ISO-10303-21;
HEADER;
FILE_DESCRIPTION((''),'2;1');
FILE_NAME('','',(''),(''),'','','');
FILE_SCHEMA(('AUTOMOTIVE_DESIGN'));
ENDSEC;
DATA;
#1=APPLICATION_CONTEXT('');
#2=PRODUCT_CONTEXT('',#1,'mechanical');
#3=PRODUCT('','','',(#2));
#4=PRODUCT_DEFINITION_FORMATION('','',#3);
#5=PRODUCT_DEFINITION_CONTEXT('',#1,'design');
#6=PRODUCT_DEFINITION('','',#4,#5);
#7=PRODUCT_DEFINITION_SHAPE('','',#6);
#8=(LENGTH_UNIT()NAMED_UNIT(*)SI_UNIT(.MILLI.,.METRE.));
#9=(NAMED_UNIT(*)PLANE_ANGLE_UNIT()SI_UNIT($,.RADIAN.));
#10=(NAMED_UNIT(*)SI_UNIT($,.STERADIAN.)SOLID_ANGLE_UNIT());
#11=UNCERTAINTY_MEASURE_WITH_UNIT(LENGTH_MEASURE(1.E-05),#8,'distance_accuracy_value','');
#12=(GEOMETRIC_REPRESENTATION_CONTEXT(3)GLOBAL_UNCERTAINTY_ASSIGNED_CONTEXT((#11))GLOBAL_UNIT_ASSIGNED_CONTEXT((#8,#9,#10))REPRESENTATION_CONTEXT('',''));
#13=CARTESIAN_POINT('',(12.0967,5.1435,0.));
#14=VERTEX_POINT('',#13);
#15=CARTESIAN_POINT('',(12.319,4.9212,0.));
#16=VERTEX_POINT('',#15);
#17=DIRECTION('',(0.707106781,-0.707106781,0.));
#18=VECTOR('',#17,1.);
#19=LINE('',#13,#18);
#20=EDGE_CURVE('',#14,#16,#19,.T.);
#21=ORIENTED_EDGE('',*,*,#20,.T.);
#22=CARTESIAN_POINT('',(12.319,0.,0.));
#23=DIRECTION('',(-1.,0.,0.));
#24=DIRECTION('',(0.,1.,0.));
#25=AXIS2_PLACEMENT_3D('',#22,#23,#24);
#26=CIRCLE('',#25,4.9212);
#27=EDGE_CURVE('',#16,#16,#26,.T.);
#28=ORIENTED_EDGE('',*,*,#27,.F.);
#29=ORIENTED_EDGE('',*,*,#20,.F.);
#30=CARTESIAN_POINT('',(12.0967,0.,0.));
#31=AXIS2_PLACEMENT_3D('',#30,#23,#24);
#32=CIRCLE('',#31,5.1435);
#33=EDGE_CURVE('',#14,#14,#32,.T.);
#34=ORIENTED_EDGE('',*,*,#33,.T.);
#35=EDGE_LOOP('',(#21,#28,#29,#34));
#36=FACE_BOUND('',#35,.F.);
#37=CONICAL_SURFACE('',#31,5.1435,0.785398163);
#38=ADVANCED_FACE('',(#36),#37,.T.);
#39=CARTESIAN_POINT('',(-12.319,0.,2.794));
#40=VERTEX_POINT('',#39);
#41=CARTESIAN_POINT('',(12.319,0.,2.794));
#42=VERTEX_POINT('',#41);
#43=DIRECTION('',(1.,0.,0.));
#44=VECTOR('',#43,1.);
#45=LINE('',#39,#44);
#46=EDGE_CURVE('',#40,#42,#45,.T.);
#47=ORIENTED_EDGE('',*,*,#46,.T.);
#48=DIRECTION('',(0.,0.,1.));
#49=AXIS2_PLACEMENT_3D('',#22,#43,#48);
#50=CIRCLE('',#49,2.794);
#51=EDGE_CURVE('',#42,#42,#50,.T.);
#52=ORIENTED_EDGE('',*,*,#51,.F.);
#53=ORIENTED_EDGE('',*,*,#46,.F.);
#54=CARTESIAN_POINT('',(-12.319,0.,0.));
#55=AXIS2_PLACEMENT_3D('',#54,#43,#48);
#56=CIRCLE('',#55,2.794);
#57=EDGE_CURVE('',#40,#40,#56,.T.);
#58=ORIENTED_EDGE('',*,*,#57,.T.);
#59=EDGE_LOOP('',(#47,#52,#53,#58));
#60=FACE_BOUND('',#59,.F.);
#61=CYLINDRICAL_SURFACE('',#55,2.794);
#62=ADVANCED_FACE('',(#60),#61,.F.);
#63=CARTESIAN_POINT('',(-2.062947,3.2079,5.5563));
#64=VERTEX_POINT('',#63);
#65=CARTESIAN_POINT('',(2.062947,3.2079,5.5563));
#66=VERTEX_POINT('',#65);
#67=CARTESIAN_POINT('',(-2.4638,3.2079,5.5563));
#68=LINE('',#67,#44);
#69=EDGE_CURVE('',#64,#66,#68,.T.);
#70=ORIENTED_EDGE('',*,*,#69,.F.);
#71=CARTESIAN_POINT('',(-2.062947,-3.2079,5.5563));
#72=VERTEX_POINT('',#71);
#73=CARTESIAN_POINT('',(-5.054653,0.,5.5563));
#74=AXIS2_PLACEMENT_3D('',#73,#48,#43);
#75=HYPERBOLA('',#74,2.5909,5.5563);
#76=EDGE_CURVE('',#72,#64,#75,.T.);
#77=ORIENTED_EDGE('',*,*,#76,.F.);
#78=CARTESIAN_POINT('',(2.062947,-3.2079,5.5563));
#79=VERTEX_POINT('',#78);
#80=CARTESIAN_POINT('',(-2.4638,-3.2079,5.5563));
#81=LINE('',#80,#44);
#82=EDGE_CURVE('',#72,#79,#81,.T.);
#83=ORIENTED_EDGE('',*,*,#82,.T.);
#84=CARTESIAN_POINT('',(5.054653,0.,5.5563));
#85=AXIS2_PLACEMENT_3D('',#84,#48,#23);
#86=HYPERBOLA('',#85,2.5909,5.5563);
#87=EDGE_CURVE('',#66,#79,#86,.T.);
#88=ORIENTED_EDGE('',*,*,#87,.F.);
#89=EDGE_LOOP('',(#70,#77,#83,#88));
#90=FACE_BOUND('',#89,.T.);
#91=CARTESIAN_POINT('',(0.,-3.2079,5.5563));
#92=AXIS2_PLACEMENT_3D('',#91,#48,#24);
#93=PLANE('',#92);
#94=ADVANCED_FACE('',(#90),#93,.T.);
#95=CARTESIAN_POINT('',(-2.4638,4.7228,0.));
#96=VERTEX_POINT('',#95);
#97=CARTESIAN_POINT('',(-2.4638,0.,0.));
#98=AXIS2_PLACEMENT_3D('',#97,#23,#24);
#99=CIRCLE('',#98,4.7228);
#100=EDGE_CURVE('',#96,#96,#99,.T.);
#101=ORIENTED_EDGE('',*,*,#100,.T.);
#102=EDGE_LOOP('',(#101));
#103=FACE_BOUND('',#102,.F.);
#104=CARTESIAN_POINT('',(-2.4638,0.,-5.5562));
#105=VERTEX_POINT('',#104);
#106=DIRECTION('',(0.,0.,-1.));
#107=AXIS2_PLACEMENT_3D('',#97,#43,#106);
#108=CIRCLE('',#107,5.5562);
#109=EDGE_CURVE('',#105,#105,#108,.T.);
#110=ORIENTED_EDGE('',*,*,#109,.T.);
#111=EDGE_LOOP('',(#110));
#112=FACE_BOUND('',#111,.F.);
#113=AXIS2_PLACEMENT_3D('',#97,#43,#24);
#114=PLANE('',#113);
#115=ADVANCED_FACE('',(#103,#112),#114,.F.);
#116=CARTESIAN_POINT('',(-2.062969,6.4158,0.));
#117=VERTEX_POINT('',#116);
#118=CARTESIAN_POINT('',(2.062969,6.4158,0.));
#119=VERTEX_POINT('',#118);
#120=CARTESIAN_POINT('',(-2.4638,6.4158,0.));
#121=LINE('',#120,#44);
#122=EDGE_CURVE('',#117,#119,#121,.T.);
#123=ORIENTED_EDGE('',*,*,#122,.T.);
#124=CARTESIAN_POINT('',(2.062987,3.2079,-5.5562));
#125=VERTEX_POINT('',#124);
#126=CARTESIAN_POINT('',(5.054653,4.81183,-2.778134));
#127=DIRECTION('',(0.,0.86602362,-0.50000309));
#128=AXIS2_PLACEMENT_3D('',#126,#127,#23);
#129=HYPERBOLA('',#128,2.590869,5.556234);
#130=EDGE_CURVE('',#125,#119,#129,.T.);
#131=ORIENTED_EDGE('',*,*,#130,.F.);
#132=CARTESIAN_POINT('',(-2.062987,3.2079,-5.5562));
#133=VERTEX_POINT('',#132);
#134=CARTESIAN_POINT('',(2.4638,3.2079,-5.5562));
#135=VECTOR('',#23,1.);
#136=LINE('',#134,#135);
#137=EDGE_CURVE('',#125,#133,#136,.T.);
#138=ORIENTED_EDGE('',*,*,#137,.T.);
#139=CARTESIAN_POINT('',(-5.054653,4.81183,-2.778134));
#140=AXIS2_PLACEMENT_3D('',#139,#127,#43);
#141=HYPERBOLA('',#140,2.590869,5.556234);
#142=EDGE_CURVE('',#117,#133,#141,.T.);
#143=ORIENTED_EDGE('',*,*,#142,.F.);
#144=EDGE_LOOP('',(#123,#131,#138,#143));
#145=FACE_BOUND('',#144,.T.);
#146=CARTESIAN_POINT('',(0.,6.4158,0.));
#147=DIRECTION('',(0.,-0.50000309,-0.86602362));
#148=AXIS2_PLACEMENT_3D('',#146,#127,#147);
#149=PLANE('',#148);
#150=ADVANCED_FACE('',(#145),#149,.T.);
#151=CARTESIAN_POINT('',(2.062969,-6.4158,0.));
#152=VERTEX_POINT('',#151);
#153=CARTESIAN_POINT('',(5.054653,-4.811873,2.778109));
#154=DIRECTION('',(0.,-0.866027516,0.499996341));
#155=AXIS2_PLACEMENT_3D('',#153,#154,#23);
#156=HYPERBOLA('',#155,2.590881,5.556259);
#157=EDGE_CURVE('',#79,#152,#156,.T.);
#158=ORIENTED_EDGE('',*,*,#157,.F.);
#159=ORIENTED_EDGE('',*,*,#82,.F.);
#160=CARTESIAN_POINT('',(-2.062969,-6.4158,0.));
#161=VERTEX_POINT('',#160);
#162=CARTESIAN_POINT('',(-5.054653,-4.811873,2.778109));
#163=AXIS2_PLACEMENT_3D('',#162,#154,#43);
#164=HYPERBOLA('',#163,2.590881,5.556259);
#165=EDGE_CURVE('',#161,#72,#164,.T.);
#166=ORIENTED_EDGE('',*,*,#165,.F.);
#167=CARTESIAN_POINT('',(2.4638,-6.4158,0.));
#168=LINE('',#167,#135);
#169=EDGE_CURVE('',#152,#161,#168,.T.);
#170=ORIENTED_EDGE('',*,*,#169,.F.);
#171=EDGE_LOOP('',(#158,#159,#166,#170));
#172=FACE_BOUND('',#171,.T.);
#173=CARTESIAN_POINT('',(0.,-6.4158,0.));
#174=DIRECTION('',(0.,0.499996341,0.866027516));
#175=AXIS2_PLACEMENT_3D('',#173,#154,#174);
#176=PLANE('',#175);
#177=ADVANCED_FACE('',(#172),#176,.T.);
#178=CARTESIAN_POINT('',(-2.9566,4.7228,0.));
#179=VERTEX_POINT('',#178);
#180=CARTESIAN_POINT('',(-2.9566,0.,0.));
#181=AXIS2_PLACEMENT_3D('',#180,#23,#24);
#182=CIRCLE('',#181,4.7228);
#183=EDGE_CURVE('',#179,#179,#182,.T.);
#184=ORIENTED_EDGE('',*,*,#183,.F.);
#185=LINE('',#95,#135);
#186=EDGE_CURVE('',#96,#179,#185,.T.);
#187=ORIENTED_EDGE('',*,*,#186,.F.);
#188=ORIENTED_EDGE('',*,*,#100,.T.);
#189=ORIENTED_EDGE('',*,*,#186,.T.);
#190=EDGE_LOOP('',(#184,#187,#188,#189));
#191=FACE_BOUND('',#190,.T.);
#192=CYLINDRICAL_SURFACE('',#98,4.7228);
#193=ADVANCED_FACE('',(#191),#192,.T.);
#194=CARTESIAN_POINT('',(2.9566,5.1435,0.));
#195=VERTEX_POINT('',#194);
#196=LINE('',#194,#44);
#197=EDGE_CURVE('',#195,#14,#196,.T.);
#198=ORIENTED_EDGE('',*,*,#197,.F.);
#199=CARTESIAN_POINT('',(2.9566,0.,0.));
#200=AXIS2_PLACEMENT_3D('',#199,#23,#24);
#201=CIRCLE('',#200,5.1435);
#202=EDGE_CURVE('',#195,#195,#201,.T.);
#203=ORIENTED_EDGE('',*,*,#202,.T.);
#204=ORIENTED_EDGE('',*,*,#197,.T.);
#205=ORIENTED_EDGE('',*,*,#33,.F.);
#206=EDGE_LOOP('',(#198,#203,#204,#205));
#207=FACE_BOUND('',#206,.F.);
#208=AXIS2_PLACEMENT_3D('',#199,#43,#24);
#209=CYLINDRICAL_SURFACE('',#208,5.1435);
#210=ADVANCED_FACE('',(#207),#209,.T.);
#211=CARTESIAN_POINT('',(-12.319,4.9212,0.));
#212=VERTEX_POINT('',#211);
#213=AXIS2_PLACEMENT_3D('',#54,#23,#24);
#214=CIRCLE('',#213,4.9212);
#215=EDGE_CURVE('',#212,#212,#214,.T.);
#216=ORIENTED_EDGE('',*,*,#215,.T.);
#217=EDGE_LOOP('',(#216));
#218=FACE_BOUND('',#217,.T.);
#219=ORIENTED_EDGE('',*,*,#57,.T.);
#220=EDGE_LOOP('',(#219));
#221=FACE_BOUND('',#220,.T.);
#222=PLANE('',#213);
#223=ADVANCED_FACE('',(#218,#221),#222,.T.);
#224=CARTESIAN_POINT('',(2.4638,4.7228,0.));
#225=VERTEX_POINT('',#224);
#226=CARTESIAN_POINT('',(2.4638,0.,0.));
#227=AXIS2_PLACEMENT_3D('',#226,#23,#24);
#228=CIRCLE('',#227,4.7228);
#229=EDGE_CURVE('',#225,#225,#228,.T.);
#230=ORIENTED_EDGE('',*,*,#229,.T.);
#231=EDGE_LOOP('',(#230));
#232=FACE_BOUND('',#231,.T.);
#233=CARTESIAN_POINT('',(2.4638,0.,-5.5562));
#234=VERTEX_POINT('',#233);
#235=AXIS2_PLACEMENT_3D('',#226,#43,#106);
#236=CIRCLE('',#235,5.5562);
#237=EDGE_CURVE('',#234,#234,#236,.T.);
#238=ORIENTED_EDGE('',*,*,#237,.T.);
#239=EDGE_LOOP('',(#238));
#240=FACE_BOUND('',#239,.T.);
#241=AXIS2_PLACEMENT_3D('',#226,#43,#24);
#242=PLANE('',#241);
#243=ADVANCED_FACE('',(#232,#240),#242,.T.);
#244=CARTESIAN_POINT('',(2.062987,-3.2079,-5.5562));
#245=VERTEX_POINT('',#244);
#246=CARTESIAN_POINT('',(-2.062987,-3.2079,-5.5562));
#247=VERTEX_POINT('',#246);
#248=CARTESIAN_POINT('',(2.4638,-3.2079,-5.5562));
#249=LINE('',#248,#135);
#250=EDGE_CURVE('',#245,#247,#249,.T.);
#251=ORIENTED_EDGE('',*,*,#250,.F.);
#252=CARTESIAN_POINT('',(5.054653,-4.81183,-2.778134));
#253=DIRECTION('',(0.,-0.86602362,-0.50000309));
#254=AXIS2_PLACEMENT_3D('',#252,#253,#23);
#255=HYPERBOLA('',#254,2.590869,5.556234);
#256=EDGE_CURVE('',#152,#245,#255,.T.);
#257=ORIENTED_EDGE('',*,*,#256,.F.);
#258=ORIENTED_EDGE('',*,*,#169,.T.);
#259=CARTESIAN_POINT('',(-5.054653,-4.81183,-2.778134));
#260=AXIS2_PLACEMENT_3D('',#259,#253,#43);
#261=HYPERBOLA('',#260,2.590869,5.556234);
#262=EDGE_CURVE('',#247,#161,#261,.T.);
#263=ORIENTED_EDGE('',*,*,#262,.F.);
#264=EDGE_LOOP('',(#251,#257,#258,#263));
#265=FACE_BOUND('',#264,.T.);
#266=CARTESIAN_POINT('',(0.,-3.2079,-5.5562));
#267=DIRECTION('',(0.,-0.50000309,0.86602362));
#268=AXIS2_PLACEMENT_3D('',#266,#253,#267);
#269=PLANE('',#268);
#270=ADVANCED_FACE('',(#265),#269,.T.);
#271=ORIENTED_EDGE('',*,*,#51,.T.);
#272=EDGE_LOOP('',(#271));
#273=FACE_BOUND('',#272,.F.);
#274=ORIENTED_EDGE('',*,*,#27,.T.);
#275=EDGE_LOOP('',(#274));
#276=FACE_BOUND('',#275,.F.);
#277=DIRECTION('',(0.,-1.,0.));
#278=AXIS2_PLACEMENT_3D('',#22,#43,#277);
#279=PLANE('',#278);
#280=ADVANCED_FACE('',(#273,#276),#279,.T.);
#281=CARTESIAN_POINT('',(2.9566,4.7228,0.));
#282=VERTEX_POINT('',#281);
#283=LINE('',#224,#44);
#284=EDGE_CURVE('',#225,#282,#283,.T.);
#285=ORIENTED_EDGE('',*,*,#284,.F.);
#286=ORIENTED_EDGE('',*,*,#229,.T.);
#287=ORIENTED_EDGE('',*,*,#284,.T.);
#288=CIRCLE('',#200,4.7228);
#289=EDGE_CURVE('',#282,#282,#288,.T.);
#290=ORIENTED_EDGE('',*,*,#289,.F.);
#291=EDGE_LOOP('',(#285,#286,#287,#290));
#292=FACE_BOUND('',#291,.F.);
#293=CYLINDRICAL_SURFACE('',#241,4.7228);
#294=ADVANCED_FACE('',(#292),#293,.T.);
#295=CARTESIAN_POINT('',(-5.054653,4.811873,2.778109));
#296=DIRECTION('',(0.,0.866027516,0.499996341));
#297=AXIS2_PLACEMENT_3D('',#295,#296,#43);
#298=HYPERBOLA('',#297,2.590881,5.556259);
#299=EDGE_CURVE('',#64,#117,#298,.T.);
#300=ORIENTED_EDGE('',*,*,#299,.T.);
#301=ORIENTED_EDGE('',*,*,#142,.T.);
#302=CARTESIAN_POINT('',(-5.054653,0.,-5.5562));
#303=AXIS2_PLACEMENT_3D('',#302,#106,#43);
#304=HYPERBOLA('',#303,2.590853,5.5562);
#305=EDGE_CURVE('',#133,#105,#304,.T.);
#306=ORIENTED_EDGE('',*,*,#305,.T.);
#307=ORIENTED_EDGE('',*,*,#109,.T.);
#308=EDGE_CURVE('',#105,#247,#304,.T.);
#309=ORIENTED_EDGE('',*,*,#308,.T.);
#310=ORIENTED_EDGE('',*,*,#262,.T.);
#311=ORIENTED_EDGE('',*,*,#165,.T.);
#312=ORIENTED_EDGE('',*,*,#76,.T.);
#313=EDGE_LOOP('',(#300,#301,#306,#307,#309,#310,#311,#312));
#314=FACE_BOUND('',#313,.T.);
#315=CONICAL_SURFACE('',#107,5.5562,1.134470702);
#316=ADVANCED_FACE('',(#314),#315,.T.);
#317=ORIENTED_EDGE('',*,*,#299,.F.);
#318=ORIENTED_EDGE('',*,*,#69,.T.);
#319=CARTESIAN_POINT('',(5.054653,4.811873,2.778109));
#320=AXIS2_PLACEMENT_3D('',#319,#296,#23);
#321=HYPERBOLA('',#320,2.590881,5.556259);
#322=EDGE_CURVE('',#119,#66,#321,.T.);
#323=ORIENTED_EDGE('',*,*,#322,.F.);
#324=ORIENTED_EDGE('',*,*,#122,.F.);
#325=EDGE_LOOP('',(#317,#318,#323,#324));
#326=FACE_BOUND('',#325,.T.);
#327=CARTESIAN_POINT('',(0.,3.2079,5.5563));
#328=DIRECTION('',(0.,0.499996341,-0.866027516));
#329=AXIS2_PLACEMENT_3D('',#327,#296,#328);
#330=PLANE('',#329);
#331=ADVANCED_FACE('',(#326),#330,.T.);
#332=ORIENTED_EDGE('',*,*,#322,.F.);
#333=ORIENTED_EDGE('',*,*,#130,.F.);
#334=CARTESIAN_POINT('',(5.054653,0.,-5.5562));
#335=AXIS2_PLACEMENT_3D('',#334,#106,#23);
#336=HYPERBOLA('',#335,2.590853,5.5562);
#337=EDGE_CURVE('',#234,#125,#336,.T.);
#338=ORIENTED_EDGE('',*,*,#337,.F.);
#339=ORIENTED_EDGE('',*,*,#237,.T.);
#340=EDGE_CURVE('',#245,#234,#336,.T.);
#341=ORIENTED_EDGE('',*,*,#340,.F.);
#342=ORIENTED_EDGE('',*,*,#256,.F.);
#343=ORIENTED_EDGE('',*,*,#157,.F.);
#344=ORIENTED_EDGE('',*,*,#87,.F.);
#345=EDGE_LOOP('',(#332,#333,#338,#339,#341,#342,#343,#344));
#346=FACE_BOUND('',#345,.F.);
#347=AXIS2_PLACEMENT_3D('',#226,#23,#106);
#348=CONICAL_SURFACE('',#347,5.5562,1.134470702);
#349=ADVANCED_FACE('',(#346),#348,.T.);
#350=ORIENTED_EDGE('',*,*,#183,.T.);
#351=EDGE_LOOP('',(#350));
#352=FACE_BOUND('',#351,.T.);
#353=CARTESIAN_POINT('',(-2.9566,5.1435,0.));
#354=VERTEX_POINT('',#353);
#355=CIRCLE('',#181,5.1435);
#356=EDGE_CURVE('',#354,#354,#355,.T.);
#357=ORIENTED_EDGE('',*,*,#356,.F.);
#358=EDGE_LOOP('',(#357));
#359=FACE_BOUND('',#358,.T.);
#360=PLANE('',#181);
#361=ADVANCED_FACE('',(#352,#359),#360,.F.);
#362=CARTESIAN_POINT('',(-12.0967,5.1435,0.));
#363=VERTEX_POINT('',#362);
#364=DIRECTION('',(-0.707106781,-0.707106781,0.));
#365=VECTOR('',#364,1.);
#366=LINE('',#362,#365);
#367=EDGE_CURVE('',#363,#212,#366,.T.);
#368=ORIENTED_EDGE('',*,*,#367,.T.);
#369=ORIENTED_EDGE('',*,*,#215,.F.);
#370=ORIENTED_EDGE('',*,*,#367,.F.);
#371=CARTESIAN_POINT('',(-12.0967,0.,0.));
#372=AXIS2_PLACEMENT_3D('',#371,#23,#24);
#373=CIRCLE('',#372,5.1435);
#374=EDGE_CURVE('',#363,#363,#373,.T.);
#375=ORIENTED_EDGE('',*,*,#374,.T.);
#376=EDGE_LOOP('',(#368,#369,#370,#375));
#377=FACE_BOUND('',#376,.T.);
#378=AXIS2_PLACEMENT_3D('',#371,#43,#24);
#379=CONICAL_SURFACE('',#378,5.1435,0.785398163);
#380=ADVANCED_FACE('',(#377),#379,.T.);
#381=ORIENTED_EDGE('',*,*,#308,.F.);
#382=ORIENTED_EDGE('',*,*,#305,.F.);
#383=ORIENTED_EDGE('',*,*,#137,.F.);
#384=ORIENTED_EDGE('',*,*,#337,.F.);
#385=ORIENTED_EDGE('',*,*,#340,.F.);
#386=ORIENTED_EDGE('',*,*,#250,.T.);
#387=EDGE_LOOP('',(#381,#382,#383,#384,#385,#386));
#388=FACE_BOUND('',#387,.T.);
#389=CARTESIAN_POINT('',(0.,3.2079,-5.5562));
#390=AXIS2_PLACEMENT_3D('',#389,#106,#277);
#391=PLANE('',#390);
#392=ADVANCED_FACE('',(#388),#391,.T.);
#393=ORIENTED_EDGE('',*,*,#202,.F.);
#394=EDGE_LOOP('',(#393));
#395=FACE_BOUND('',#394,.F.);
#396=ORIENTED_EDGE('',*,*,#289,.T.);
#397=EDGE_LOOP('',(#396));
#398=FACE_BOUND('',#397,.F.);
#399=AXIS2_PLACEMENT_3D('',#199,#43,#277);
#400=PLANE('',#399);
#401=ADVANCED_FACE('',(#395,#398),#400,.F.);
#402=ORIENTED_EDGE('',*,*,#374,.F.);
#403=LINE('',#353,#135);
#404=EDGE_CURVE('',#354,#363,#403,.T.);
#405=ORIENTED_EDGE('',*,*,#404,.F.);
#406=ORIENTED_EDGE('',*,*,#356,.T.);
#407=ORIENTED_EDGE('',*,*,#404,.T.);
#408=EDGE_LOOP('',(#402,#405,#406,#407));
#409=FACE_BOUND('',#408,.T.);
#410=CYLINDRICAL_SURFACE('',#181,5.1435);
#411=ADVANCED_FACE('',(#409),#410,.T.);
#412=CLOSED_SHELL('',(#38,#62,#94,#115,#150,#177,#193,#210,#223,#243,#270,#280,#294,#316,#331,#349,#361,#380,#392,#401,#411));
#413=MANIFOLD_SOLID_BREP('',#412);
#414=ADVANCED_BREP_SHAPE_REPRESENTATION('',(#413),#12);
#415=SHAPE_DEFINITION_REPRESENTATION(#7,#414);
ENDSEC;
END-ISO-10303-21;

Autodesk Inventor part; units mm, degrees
ref_plane "YZ Plane" through (0, 0, 0) normal (1, 0, 0) x (0, 1, 0)
ref_plane "XZ Plane" through (0, 0, 0) normal (0, 1, 0) x (-1, 0, 0)
ref_plane "XY Plane" through (0, 0, 0) normal (0, 0, 1) x (1, 0, 0)
sketch "Sketch1" plane through (0, 0, 0) normal (1, 0, 0) x (0, 1, 0)
  line L0 (6.4158, 0) -> (3.2079, -5.5562)
  line L1 (3.2079, -5.5562) -> (-3.2079, -5.5562)
  line L2 (-3.2079, -5.5562) -> (-6.4158, 0)
  line L3 (-6.4158, 0) -> (-3.2079, 5.5563)
  line L4 (-3.2079, 5.5563) -> (3.2079, 5.5563)
  line L5 (3.2079, 5.5563) -> (6.4158, 0)
  point P0 (0, 0)
  point P1 (0, 0)
  dimension "d0" = 11.1125
extrude "Extrusion1" add sketch "Sketch1" along normal mid plane 4.9276
sketch "Sketch2" plane through (0, 0, 0) normal (0, 0, 1) x (1, 0, 0)
  line L0 (0, 0) -> (7.0752, 0)
  line L1 (-2.4638, 0) -> (-12.319, 0)
  line L2 (-2.4638, 0) -> (-2.4638, 4.7228)
  line L3 (-2.4638, 4.7228) -> (-2.9566, 4.7228)
  line L4 (-2.9566, 4.7228) -> (-2.9566, 5.1435)
  line L5 (-2.9566, 5.1435) -> (-12.319, 5.1435)
  line L6 (-12.319, 5.1435) -> (-12.319, 0)
  line L7 (-16.1978, 0) -> (10.954, 0) projected
  line L8 (-2.4638, 3.2079) -> (-2.4638, -3.2079) projected
  dimension "d3" = 9.8552
  dimension "d6" = 9.3624
  dimension "d32" = 10.287
  dimension "d33" = 9.4456
revolve "Revolution1" add sketch "Sketch2" angle 360 about axis through (-2.4638, 0, 0) along (-1, 0, 0)
mirror "Mirror1" about plane through (0, 0, 0) normal (1, 0, 0) of "Revolution1"
sketch "Sketch5" plane through (0, 0, 0) normal (0, 1, 0) x (-1, 0, 0)
  line L0 (2.4638, -5.5562) -> (-2.4638, -5.5562) projected
  line L1 (-2.4638, -5.5562) -> (-2.4638, -11.1125)
  line L2 (-2.4638, -5.5562) -> (0.1271, -11.1125)
  line L3 (-2.4638, -11.1125) -> (0.1271, -11.1125)
  line L4 (0, -12.2237) -> (0, -4.445) projected
  line L5 (3.4493, 0) -> (-3.4493, 0) projected
  dimension "d15" = 5.5563
  dimension "d38" = 25
revolve "Revolution4" cut sketch "Sketch5" angle 360 about axis through (-10, 0, 0) along (1, 0, 0) contours L2 L4 L3 L1 | L2 L3 L4
mirror "Mirror2" about plane through (0, 0, 0) normal (1, 0, 0) of "Revolution4"
chamfer "Chamfer1" distance 0.2223 angle 45 2 edges at (-12.319, -5.1435, 0) (12.319, -5.1435, 0)
hole "Hole1" at (-12.319, 0, 0) direction (1, 0, 0) diameter 5.588 end through all
thread "Rosca1" size "1/8" designation "1/8 - 27 NPT" standard "NPT" full length
thread "Thread2" size "1/16" standard "NPT" full length
equation "\"d0\" = C_HEX"
equation "\"d1\" = 0.2 * L"
equation "\"d3\" = 0.4 * L"
equation "\"d6\" = 0.38 * L"
equation "\"d33\" = 0.85 * C_HEX"
equation "\"d17\" = 0.02 * C_HEX"
equation "\"d22\" = D"
equation "\"d15\" = 0.5 * C_HEX"
equation "\"C_HEX\" = 11.1125"
equation "\"L\" = 24.638"
equation "\"D\" = 5.588"
equation "\"ND1\" = 9.652"
equation "\"Parker_No\" = 1.2345"
properties part number "Boquilla hexagonal 216P de Parker 216P-2" material "Latón, amarillo claro"
